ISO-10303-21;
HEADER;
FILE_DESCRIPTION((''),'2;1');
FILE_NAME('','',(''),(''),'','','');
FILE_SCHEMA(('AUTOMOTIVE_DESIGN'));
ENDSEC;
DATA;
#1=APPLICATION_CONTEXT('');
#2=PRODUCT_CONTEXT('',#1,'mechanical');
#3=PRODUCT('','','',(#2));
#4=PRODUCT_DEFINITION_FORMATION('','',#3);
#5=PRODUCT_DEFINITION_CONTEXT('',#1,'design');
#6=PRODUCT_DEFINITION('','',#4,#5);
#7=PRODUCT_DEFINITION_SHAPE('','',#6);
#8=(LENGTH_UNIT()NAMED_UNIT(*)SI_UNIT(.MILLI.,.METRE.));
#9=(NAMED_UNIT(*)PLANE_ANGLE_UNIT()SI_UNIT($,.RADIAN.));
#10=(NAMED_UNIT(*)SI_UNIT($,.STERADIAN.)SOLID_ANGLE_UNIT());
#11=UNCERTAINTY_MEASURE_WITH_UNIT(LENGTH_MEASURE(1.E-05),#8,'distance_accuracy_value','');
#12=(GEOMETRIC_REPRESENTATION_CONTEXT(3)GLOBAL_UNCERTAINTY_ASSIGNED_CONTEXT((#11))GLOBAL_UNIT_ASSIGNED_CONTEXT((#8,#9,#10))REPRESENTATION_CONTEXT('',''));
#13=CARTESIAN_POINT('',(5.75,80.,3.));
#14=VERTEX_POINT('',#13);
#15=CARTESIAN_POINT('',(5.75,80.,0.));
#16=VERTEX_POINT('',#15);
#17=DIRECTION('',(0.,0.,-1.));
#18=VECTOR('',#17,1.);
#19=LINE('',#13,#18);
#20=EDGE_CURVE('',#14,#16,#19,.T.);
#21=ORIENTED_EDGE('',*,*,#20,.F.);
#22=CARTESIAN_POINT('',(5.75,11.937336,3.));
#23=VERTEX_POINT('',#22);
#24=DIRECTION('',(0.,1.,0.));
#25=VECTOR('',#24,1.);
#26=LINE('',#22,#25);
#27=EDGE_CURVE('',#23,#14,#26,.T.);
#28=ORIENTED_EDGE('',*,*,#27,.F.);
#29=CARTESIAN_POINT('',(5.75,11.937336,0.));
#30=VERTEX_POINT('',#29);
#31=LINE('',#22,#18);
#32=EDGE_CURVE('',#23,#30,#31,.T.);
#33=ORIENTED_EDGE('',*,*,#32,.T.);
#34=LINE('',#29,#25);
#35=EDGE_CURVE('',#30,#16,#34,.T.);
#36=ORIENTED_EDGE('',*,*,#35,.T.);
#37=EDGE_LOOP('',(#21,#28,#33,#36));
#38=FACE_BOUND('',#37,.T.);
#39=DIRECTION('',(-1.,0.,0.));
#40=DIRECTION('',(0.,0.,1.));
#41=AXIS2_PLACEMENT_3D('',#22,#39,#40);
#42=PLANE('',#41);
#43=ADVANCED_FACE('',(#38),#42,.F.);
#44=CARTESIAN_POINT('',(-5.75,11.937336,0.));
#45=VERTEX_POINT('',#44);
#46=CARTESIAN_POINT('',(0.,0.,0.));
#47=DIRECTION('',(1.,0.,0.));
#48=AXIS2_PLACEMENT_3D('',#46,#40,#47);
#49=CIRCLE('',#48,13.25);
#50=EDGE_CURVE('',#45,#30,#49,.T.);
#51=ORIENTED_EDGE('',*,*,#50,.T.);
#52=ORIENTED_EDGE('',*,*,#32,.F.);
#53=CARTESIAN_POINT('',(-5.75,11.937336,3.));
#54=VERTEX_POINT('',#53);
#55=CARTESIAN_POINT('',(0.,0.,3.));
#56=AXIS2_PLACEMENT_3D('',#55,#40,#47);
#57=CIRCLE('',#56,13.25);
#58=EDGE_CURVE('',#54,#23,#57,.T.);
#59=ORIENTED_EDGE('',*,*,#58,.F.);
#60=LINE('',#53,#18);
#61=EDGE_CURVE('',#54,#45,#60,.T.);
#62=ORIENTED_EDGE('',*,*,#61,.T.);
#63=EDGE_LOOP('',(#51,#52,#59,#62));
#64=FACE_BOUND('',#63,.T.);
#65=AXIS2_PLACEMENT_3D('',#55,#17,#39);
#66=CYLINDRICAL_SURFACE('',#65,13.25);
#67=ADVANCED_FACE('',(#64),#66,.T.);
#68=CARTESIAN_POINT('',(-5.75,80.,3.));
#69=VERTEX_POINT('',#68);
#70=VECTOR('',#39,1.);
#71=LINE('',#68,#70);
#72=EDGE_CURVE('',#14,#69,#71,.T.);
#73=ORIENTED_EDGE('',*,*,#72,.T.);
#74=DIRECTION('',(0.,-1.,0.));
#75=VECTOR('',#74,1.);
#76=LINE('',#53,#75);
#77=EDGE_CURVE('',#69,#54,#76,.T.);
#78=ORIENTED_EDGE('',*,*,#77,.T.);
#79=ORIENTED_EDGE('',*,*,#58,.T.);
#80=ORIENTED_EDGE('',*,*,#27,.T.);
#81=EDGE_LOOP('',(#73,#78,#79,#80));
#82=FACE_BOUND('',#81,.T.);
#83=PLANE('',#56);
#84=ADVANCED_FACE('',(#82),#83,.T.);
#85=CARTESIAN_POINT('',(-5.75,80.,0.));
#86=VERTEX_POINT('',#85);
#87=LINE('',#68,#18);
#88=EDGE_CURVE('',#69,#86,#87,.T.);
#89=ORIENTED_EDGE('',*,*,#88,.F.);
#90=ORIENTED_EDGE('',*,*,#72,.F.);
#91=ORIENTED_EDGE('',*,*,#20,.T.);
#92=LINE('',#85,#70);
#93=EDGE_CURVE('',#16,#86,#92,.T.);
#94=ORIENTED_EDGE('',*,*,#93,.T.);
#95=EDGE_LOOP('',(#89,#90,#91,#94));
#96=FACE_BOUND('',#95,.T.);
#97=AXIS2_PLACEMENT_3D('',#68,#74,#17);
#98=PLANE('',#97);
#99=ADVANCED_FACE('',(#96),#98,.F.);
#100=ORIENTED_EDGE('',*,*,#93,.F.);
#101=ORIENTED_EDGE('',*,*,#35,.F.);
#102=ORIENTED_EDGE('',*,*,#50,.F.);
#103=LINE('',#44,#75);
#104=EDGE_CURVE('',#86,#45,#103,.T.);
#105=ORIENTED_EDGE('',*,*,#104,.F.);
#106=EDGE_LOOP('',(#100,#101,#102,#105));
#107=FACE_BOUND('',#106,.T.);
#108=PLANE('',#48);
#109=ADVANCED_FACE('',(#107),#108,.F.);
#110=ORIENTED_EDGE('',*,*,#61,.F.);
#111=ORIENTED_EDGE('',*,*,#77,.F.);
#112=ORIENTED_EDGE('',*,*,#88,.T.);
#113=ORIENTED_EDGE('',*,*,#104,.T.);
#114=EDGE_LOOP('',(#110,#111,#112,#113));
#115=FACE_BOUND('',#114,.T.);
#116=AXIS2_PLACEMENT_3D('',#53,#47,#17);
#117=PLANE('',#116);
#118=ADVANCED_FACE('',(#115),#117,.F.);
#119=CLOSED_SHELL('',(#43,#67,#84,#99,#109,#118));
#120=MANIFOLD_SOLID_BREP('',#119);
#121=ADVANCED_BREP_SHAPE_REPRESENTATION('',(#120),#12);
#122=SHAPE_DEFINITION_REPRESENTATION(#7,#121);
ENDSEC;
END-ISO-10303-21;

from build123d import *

# Parameters (mm, degrees)
BOSS_EXTRUDE1_DEPTH = 3


with BuildPart() as part:
    # Sketch1 → Boss-Extrude1 (new body)
    with BuildSketch(Plane.XY):
        with BuildLine():
            Line((-5.75, 11.937336386), (-5.75, 80))
            Line((-5.75, 80), (5.75, 80))
            Line((5.75, 80), (5.75, 11.937336386))
            ThreePointArc((5.75, 11.937336386), (0, -13.25), (-5.75, 11.937336386))
        make_face()
    extrude(amount=BOSS_EXTRUDE1_DEPTH)


solid = part.part
